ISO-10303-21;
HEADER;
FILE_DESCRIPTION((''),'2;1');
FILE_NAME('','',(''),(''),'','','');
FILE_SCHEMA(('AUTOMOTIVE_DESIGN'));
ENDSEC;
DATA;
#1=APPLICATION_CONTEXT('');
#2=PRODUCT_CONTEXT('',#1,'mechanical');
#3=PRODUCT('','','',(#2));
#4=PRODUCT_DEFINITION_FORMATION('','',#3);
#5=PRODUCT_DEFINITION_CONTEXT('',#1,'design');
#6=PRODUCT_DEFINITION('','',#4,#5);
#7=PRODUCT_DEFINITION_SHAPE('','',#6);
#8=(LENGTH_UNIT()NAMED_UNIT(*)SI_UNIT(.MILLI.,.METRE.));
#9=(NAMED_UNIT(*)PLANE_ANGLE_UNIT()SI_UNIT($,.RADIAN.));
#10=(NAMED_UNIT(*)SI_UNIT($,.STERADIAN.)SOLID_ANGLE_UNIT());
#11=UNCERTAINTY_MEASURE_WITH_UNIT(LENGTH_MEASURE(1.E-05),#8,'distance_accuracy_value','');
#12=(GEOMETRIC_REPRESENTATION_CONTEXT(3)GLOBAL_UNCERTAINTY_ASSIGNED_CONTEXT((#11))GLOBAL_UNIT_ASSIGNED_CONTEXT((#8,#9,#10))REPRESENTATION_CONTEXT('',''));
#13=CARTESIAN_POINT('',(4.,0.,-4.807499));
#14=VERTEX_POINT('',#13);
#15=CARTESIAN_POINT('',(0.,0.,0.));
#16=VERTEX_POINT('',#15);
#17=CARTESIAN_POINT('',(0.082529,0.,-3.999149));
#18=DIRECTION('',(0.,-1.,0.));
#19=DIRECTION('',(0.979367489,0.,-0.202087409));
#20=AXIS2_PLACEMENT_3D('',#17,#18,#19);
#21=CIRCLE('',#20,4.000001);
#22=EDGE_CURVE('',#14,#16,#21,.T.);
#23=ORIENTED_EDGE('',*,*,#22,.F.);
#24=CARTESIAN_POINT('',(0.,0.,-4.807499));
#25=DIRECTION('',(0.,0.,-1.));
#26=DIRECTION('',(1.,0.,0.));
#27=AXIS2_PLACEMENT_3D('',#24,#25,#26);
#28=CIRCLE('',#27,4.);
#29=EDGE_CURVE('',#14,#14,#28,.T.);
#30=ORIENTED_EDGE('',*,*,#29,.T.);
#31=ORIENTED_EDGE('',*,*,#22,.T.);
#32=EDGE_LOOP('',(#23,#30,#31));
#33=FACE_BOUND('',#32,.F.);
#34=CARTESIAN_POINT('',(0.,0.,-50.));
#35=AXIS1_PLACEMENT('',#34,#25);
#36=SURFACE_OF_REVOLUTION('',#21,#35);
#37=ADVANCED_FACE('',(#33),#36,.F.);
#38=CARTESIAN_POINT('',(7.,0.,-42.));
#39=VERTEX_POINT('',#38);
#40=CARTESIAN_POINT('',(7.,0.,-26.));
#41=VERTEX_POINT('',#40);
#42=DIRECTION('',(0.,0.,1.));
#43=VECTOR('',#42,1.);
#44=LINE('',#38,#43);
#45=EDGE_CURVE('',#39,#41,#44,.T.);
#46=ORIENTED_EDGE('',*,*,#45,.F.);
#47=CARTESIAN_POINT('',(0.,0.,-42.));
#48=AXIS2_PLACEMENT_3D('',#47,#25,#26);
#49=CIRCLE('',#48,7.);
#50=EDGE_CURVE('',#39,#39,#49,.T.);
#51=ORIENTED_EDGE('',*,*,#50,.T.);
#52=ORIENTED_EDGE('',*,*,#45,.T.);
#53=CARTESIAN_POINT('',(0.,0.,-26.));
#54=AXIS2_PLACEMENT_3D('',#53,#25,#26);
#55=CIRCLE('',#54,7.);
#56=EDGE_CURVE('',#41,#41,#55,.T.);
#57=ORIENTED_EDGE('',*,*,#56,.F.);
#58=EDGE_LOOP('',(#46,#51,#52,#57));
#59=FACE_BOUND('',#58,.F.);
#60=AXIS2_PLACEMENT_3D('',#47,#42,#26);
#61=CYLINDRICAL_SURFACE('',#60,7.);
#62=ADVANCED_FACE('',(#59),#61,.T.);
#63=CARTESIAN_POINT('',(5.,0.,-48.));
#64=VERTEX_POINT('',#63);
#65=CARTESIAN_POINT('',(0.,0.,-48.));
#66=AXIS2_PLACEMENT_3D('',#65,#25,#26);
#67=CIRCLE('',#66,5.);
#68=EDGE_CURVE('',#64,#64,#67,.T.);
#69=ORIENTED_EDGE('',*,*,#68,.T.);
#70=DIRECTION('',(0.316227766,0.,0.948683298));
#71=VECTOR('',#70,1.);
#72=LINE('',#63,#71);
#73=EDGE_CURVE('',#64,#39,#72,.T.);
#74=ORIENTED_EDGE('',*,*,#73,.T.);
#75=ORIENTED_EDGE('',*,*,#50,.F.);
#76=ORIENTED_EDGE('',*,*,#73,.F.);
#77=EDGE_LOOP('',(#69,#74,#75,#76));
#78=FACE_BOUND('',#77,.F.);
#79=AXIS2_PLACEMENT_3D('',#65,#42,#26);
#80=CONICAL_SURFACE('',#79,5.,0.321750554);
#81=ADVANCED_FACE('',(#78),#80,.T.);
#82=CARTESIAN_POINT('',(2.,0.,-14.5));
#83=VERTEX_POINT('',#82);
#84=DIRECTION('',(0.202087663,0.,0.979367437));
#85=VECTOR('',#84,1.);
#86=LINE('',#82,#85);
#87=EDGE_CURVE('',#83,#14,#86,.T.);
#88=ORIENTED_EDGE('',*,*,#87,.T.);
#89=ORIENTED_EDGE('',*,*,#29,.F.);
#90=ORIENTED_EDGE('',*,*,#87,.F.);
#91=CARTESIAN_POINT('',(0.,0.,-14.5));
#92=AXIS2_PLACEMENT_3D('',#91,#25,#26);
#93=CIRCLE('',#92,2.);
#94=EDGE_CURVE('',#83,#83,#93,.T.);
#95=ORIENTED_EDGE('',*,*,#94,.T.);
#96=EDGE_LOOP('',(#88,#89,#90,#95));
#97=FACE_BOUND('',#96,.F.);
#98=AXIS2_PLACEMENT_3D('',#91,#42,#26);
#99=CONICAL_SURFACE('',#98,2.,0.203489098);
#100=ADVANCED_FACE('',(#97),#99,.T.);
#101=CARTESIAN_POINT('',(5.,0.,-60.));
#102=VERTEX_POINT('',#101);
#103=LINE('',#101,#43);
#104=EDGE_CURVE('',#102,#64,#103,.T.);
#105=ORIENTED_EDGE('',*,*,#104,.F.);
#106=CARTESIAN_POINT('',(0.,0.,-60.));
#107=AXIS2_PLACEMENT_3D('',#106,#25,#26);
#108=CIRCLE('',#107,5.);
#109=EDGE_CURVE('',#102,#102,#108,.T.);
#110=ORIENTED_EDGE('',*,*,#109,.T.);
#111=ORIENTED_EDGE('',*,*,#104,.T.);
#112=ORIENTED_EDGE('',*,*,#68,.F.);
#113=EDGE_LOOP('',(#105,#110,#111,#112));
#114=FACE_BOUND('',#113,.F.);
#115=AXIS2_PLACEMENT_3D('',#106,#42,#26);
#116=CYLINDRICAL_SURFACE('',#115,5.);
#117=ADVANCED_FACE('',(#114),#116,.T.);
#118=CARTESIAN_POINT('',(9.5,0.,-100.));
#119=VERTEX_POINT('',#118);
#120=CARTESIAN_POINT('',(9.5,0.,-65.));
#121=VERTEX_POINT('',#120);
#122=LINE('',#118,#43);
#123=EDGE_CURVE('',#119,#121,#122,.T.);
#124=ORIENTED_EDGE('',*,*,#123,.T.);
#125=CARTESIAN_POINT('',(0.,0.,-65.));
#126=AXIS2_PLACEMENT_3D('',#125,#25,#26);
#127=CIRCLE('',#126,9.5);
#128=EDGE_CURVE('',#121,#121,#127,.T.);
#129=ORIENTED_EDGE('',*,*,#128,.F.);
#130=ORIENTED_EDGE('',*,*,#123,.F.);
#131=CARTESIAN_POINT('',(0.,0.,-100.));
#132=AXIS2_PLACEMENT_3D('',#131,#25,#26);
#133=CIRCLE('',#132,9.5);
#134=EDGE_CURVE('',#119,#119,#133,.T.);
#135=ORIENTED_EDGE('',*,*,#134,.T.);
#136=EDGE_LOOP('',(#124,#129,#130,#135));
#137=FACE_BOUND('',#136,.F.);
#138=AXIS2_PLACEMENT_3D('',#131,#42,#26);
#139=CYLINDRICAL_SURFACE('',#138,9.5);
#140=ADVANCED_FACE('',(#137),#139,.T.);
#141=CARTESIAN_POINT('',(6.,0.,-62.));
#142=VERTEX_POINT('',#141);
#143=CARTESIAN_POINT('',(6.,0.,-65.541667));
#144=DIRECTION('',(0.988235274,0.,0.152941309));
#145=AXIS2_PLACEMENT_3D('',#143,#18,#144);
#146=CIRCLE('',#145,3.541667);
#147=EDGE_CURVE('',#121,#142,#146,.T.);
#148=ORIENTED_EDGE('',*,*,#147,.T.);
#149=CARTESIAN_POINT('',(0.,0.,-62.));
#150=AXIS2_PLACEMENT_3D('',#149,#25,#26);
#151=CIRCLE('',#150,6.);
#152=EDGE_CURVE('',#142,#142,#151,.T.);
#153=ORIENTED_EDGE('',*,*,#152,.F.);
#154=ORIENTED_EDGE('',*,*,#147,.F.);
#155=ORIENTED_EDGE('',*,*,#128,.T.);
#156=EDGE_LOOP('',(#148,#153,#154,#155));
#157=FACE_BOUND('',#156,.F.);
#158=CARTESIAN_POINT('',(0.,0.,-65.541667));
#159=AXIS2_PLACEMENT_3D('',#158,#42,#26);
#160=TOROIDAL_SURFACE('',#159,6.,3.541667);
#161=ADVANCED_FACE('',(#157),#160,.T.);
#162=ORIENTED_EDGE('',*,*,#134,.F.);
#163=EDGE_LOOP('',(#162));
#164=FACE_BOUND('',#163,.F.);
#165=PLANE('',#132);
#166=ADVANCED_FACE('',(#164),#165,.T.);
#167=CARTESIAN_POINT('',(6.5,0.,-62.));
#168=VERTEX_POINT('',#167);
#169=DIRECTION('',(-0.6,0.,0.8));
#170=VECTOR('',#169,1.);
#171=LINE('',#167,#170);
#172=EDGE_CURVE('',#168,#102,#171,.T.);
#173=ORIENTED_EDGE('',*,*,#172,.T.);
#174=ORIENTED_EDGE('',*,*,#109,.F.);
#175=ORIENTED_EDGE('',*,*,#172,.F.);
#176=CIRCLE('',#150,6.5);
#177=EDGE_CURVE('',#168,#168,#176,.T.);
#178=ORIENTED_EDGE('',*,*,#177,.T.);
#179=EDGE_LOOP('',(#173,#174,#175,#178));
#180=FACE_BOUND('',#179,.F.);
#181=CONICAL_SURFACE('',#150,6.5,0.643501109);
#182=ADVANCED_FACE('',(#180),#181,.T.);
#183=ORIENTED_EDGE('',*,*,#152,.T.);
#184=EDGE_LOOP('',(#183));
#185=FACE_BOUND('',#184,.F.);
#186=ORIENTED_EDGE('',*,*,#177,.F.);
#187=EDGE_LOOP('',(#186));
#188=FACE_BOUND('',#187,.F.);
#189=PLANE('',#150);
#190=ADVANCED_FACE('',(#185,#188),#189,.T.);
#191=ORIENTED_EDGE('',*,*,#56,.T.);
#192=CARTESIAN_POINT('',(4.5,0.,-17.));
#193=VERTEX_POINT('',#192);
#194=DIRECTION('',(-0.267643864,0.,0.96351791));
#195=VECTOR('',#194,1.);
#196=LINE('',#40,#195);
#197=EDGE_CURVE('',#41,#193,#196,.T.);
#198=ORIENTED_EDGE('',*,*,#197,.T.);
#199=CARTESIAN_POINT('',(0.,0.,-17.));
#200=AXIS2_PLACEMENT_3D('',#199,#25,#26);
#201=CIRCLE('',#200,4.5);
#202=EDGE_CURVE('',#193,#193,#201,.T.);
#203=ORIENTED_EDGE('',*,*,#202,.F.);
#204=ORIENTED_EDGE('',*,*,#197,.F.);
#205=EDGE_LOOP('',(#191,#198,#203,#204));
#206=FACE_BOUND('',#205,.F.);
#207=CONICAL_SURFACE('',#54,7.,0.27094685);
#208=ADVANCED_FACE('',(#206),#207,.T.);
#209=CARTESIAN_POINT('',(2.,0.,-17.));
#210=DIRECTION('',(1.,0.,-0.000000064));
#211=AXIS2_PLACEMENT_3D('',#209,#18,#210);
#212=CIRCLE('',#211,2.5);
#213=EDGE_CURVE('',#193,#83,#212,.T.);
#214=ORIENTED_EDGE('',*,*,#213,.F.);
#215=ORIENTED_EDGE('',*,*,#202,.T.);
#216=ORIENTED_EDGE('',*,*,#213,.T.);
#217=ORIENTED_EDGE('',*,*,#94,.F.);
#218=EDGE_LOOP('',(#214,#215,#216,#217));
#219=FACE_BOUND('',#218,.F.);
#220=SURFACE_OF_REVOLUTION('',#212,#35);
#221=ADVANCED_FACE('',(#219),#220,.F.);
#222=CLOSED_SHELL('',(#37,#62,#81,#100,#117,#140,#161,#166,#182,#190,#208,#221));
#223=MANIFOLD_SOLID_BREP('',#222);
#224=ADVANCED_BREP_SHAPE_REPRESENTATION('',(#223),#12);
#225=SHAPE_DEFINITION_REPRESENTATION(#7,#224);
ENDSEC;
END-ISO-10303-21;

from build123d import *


with BuildPart() as f1:
    # F0 (on Front) → F1 (revolve)
    with BuildSketch(Plane.XZ):
        with BuildLine():
            Line((2, -14.5), (4, -4.807499))
            ThreePointArc((4, -4.807499), (3.15738, -1.440771), (0, 0))
            Line((0, 0), (0, -100))
            Line((0, -100), (9.5, -100))
            Line((9.5, -100), (9.5, -65))
            ThreePointArc((9.5, -65), (8.304886, -62.852633), (6, -62))
            Line((6, -62), (6.5, -62))
            Line((6.5, -62), (5, -60))
            Line((5, -60), (5, -48))
            Line((5, -48), (7, -42))
            Line((7, -42), (7, -26))
            Line((7, -26), (4.5, -17))
            ThreePointArc((4.5, -17), (3.767767, -15.232233), (2, -14.5))
        make_face()
    revolve(axis=Axis((0, 0, -50), (0, 0, -1)))


solid = f1.part
